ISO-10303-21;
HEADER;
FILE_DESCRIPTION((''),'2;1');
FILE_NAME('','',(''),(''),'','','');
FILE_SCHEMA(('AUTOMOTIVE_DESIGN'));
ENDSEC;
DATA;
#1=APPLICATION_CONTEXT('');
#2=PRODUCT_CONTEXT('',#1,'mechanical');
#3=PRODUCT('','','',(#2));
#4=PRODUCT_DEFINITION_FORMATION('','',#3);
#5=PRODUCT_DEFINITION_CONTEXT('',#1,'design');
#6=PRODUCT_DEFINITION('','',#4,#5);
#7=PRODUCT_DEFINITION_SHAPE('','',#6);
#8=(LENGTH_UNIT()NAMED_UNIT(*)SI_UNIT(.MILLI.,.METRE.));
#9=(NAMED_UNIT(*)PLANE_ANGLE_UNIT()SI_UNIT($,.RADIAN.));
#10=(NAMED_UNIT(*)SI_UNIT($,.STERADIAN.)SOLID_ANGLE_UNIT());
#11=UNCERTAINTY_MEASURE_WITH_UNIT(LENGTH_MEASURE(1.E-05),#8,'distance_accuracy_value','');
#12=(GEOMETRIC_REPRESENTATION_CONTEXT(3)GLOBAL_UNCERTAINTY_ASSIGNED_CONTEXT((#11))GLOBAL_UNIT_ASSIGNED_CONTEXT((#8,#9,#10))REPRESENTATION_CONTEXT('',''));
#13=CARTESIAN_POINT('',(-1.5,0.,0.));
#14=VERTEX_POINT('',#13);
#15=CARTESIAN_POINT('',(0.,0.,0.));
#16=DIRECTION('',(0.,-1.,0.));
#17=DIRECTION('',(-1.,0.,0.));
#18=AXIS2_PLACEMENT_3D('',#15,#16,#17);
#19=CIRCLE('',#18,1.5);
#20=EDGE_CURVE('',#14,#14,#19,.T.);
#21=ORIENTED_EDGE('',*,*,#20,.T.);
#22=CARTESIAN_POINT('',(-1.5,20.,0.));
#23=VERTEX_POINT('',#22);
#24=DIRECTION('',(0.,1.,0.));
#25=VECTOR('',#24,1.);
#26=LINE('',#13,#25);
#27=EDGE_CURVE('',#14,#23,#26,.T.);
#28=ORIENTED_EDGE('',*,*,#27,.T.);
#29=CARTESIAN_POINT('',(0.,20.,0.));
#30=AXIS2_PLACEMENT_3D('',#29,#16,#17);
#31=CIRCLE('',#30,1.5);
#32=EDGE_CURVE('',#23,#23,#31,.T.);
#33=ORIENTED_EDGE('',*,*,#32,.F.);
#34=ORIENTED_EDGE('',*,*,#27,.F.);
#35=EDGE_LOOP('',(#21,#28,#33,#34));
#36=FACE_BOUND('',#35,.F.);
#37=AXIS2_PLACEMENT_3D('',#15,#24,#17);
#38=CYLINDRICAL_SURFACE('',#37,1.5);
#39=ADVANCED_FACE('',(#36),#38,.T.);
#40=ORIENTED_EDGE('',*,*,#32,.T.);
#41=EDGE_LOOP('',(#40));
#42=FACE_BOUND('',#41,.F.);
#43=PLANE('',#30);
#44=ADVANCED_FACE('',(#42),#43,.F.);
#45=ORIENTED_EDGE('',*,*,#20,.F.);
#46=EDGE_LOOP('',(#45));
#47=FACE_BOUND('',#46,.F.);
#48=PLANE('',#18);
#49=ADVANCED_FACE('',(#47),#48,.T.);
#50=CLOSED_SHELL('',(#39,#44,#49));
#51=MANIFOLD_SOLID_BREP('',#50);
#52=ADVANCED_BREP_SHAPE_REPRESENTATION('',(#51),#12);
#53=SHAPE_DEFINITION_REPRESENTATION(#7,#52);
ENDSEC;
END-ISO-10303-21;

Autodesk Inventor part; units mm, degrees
ref_plane "YZ Plane" through (0, 0, 0) normal (1, 0, 0) x (0, 1, 0)
ref_plane "XZ Plane" through (0, 0, 0) normal (0, 1, 0) x (-1, 0, 0)
ref_plane "XY Plane" through (0, 0, 0) normal (0, 0, 1) x (1, 0, 0)
sketch "Sketch1" plane through (0, 0, 0) normal (0, 0, 1) x (1, 0, 0)
  line L0 (0, 0) -> (-1.5, 0)
  line L1 (-1.5, 0) -> (-1.5, 20)
  line L2 (-1.5, 20) -> (0, 20)
  line L3 (0, 20) -> (0, 0)
  line L4 (0, -4) -> (0, 24) projected
  dimension "d0" = 1.5
  dimension "d1" = 20
revolve "Revolution1" add sketch "Sketch1" angle 360 about axis through (0, 20, 0) along (0, -1, 0)
thread "Thread1" size "M3x0.5" class "6g" standard "ISO Metric profile" length 25.616
properties part number "HeadlessScrew" material "Brass, Soft Yellow"
